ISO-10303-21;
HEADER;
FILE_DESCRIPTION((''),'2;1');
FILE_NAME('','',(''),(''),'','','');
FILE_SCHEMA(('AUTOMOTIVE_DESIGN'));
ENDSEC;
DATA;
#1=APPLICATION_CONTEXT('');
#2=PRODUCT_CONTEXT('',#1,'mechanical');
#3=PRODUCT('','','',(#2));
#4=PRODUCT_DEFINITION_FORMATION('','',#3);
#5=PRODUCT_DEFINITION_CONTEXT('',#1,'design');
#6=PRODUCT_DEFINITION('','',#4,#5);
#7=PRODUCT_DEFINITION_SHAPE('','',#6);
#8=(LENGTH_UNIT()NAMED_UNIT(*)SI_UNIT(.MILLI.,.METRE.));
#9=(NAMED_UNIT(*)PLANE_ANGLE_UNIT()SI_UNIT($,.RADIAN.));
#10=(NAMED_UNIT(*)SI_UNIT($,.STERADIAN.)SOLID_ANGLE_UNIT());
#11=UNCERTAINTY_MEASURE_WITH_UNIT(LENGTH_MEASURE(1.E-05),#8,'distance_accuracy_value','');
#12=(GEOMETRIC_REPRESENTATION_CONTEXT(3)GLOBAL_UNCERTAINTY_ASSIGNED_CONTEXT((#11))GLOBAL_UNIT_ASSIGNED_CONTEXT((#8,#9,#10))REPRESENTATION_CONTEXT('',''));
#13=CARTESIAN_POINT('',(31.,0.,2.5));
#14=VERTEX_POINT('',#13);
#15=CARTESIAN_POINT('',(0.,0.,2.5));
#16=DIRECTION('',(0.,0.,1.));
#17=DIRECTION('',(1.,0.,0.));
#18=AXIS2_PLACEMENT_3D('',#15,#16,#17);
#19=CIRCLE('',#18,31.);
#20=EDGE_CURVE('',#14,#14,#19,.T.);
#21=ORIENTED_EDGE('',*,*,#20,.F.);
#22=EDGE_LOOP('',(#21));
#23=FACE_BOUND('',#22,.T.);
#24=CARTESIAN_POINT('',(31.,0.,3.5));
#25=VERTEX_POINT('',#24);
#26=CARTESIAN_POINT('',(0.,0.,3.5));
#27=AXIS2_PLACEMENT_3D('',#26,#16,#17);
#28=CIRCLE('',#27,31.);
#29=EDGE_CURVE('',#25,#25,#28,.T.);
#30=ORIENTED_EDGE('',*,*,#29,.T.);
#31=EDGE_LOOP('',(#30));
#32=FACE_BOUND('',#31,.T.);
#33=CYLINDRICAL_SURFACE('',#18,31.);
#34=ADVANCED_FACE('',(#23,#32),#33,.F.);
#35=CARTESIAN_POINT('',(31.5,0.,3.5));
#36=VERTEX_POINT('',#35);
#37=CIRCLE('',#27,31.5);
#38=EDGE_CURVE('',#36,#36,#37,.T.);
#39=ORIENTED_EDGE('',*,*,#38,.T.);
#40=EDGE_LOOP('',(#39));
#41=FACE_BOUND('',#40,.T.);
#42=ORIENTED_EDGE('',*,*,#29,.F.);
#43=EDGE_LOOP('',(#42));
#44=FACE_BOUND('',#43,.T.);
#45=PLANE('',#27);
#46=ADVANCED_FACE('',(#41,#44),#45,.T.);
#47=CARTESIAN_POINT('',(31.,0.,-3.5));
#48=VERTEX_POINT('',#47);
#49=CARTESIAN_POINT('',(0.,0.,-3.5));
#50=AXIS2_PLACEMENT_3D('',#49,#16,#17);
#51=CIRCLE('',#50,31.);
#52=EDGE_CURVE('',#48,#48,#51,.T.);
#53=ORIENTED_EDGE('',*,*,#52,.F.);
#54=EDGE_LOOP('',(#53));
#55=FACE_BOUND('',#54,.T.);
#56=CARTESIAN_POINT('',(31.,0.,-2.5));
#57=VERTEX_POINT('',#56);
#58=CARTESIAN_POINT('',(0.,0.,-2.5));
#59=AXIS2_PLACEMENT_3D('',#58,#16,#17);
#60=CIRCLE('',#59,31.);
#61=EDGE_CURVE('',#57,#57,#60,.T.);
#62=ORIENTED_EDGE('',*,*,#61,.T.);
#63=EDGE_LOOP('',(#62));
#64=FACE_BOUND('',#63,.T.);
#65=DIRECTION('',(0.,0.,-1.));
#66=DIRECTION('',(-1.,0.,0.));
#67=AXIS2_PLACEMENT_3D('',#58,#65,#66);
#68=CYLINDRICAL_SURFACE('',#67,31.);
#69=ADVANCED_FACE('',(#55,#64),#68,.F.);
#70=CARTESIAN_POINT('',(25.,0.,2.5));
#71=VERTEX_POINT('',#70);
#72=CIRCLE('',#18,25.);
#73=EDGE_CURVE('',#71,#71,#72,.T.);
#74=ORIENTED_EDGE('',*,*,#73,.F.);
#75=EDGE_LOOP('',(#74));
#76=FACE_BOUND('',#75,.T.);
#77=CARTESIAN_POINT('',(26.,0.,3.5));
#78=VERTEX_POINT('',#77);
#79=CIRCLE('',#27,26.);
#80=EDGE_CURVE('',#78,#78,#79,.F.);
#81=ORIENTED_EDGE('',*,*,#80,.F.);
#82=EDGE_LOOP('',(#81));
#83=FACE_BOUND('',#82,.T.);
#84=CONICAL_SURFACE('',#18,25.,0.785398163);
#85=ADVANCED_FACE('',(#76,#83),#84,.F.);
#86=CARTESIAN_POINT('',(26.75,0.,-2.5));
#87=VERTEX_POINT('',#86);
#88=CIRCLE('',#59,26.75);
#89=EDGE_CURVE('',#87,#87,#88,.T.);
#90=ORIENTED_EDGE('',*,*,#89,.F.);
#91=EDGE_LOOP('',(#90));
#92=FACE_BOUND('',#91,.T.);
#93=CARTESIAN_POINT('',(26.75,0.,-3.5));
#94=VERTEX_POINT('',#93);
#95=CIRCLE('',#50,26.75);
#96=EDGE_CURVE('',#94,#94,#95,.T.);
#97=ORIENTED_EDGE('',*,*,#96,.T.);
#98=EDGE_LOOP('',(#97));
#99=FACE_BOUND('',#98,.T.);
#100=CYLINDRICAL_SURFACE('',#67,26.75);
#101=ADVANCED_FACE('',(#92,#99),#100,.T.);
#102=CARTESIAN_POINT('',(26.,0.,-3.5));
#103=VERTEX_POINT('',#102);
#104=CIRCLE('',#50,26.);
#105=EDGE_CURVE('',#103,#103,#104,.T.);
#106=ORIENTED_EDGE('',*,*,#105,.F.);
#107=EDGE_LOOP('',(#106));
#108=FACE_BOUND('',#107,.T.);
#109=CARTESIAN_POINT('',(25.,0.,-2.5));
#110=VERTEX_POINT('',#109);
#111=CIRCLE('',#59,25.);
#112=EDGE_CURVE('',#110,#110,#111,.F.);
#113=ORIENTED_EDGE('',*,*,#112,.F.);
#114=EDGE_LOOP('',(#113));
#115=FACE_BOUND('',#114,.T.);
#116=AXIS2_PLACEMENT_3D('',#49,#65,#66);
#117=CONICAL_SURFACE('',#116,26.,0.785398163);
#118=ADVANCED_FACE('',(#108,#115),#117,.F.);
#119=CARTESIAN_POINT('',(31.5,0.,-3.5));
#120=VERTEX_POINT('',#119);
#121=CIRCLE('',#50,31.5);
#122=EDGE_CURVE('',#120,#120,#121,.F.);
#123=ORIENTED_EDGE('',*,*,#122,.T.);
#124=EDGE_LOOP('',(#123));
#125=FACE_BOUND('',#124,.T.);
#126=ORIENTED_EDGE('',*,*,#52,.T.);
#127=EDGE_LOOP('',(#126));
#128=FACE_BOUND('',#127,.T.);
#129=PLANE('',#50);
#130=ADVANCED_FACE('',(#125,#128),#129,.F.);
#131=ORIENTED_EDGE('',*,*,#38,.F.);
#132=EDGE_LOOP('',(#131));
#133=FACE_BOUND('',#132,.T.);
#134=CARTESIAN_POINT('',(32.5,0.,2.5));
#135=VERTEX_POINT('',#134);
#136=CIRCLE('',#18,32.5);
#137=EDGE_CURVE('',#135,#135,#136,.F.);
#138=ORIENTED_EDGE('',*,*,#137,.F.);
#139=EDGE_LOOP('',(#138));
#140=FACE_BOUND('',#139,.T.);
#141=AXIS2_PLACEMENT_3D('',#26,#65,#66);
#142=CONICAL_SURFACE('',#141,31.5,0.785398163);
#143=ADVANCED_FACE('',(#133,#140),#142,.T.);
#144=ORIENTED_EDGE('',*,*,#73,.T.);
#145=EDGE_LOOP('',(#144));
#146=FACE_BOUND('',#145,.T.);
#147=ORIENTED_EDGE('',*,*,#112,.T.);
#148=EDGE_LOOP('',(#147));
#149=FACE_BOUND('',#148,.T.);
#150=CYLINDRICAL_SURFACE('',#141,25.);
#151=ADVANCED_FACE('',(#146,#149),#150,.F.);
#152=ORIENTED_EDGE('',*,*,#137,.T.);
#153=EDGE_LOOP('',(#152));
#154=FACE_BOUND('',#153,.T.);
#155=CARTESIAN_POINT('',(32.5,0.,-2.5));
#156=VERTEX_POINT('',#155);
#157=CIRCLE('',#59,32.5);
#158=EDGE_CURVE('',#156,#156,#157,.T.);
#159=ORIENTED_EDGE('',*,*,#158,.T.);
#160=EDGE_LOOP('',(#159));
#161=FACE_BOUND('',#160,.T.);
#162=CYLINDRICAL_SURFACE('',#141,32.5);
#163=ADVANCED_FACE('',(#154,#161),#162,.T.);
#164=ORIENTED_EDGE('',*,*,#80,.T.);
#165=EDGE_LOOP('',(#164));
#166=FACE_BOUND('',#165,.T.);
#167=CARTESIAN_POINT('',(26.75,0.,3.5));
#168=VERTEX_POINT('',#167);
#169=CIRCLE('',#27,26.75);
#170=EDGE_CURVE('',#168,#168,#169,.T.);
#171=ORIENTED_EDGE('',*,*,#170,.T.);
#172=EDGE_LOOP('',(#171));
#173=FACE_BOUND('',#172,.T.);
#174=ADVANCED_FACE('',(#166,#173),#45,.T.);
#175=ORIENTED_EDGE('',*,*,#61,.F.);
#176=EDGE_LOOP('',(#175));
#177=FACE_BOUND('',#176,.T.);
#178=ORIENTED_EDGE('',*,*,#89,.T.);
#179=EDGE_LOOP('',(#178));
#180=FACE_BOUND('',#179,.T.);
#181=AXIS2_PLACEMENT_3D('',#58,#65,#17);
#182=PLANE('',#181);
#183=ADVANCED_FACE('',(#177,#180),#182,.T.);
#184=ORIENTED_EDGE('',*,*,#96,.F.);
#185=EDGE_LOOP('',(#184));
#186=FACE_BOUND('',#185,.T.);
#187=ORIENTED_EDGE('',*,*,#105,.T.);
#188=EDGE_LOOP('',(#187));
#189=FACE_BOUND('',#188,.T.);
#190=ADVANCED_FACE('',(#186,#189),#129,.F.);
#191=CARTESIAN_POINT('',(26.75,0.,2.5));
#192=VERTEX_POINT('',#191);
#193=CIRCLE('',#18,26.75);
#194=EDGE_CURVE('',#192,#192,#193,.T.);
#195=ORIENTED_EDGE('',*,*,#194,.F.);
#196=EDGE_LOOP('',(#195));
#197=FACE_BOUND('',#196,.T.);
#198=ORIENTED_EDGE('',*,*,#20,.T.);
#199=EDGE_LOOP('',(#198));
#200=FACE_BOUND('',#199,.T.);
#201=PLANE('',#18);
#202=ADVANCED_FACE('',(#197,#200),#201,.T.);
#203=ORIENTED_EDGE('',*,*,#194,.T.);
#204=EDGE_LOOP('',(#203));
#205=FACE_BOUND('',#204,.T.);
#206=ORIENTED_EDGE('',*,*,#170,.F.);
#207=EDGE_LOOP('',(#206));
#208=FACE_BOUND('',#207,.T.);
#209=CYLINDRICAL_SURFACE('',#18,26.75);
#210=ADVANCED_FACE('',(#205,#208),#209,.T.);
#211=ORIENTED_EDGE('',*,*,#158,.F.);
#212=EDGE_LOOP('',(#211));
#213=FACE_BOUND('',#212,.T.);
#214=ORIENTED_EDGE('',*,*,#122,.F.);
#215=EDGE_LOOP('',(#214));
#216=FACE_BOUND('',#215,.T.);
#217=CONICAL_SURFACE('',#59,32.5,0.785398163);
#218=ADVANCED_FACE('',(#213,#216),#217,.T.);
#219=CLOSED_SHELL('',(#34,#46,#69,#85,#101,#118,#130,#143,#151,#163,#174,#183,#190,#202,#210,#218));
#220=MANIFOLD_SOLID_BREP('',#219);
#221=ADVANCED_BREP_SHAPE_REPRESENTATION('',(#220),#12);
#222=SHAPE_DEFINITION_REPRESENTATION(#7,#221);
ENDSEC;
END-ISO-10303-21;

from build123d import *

# Parameters (mm, degrees)
SKETCH1_R           = 32.5
SKETCH1_R_2         = 25
BOSS_EXTRUDE1_DEPTH = 3.5
SKETCH2_R           = 31
SKETCH2_R_2         = 26.75
CUT_EXTRUDE1_DEPTH  = 1
CHAMFER1_SIZE       = 1


with BuildPart() as part:
    # Sketch1 → Boss-Extrude1 (new, symmetric)
    with BuildSketch(Plane.XY):
        Circle(SKETCH1_R)
        Circle(SKETCH1_R_2, mode=Mode.SUBTRACT)
    extrude(amount=BOSS_EXTRUDE1_DEPTH, both=True)

    # Sketch2 → Cut-Extrude1 (cut)
    with BuildSketch(Plane.XY.offset(3.5)):
        Circle(SKETCH2_R)
        Circle(SKETCH2_R_2, mode=Mode.SUBTRACT)
    cut_extrude1 = extrude(amount=-CUT_EXTRUDE1_DEPTH, mode=Mode.SUBTRACT)

    # Mirror1: Cut-Extrude1 across plane
    add(cut_extrude1.mirror(Plane.XY), mode=Mode.SUBTRACT)

    # Chamfer1
    chamfer1_edges = [part.edges().sort_by_distance(p)[0] for p in [
        (-32.5, 0, -3.5),
        (-32.5, 0, 3.5),
        (-25, 0, -3.5),
        (-25, 0, 3.5),
    ]]
    chamfer(chamfer1_edges, length=CHAMFER1_SIZE)


solid = part.part
